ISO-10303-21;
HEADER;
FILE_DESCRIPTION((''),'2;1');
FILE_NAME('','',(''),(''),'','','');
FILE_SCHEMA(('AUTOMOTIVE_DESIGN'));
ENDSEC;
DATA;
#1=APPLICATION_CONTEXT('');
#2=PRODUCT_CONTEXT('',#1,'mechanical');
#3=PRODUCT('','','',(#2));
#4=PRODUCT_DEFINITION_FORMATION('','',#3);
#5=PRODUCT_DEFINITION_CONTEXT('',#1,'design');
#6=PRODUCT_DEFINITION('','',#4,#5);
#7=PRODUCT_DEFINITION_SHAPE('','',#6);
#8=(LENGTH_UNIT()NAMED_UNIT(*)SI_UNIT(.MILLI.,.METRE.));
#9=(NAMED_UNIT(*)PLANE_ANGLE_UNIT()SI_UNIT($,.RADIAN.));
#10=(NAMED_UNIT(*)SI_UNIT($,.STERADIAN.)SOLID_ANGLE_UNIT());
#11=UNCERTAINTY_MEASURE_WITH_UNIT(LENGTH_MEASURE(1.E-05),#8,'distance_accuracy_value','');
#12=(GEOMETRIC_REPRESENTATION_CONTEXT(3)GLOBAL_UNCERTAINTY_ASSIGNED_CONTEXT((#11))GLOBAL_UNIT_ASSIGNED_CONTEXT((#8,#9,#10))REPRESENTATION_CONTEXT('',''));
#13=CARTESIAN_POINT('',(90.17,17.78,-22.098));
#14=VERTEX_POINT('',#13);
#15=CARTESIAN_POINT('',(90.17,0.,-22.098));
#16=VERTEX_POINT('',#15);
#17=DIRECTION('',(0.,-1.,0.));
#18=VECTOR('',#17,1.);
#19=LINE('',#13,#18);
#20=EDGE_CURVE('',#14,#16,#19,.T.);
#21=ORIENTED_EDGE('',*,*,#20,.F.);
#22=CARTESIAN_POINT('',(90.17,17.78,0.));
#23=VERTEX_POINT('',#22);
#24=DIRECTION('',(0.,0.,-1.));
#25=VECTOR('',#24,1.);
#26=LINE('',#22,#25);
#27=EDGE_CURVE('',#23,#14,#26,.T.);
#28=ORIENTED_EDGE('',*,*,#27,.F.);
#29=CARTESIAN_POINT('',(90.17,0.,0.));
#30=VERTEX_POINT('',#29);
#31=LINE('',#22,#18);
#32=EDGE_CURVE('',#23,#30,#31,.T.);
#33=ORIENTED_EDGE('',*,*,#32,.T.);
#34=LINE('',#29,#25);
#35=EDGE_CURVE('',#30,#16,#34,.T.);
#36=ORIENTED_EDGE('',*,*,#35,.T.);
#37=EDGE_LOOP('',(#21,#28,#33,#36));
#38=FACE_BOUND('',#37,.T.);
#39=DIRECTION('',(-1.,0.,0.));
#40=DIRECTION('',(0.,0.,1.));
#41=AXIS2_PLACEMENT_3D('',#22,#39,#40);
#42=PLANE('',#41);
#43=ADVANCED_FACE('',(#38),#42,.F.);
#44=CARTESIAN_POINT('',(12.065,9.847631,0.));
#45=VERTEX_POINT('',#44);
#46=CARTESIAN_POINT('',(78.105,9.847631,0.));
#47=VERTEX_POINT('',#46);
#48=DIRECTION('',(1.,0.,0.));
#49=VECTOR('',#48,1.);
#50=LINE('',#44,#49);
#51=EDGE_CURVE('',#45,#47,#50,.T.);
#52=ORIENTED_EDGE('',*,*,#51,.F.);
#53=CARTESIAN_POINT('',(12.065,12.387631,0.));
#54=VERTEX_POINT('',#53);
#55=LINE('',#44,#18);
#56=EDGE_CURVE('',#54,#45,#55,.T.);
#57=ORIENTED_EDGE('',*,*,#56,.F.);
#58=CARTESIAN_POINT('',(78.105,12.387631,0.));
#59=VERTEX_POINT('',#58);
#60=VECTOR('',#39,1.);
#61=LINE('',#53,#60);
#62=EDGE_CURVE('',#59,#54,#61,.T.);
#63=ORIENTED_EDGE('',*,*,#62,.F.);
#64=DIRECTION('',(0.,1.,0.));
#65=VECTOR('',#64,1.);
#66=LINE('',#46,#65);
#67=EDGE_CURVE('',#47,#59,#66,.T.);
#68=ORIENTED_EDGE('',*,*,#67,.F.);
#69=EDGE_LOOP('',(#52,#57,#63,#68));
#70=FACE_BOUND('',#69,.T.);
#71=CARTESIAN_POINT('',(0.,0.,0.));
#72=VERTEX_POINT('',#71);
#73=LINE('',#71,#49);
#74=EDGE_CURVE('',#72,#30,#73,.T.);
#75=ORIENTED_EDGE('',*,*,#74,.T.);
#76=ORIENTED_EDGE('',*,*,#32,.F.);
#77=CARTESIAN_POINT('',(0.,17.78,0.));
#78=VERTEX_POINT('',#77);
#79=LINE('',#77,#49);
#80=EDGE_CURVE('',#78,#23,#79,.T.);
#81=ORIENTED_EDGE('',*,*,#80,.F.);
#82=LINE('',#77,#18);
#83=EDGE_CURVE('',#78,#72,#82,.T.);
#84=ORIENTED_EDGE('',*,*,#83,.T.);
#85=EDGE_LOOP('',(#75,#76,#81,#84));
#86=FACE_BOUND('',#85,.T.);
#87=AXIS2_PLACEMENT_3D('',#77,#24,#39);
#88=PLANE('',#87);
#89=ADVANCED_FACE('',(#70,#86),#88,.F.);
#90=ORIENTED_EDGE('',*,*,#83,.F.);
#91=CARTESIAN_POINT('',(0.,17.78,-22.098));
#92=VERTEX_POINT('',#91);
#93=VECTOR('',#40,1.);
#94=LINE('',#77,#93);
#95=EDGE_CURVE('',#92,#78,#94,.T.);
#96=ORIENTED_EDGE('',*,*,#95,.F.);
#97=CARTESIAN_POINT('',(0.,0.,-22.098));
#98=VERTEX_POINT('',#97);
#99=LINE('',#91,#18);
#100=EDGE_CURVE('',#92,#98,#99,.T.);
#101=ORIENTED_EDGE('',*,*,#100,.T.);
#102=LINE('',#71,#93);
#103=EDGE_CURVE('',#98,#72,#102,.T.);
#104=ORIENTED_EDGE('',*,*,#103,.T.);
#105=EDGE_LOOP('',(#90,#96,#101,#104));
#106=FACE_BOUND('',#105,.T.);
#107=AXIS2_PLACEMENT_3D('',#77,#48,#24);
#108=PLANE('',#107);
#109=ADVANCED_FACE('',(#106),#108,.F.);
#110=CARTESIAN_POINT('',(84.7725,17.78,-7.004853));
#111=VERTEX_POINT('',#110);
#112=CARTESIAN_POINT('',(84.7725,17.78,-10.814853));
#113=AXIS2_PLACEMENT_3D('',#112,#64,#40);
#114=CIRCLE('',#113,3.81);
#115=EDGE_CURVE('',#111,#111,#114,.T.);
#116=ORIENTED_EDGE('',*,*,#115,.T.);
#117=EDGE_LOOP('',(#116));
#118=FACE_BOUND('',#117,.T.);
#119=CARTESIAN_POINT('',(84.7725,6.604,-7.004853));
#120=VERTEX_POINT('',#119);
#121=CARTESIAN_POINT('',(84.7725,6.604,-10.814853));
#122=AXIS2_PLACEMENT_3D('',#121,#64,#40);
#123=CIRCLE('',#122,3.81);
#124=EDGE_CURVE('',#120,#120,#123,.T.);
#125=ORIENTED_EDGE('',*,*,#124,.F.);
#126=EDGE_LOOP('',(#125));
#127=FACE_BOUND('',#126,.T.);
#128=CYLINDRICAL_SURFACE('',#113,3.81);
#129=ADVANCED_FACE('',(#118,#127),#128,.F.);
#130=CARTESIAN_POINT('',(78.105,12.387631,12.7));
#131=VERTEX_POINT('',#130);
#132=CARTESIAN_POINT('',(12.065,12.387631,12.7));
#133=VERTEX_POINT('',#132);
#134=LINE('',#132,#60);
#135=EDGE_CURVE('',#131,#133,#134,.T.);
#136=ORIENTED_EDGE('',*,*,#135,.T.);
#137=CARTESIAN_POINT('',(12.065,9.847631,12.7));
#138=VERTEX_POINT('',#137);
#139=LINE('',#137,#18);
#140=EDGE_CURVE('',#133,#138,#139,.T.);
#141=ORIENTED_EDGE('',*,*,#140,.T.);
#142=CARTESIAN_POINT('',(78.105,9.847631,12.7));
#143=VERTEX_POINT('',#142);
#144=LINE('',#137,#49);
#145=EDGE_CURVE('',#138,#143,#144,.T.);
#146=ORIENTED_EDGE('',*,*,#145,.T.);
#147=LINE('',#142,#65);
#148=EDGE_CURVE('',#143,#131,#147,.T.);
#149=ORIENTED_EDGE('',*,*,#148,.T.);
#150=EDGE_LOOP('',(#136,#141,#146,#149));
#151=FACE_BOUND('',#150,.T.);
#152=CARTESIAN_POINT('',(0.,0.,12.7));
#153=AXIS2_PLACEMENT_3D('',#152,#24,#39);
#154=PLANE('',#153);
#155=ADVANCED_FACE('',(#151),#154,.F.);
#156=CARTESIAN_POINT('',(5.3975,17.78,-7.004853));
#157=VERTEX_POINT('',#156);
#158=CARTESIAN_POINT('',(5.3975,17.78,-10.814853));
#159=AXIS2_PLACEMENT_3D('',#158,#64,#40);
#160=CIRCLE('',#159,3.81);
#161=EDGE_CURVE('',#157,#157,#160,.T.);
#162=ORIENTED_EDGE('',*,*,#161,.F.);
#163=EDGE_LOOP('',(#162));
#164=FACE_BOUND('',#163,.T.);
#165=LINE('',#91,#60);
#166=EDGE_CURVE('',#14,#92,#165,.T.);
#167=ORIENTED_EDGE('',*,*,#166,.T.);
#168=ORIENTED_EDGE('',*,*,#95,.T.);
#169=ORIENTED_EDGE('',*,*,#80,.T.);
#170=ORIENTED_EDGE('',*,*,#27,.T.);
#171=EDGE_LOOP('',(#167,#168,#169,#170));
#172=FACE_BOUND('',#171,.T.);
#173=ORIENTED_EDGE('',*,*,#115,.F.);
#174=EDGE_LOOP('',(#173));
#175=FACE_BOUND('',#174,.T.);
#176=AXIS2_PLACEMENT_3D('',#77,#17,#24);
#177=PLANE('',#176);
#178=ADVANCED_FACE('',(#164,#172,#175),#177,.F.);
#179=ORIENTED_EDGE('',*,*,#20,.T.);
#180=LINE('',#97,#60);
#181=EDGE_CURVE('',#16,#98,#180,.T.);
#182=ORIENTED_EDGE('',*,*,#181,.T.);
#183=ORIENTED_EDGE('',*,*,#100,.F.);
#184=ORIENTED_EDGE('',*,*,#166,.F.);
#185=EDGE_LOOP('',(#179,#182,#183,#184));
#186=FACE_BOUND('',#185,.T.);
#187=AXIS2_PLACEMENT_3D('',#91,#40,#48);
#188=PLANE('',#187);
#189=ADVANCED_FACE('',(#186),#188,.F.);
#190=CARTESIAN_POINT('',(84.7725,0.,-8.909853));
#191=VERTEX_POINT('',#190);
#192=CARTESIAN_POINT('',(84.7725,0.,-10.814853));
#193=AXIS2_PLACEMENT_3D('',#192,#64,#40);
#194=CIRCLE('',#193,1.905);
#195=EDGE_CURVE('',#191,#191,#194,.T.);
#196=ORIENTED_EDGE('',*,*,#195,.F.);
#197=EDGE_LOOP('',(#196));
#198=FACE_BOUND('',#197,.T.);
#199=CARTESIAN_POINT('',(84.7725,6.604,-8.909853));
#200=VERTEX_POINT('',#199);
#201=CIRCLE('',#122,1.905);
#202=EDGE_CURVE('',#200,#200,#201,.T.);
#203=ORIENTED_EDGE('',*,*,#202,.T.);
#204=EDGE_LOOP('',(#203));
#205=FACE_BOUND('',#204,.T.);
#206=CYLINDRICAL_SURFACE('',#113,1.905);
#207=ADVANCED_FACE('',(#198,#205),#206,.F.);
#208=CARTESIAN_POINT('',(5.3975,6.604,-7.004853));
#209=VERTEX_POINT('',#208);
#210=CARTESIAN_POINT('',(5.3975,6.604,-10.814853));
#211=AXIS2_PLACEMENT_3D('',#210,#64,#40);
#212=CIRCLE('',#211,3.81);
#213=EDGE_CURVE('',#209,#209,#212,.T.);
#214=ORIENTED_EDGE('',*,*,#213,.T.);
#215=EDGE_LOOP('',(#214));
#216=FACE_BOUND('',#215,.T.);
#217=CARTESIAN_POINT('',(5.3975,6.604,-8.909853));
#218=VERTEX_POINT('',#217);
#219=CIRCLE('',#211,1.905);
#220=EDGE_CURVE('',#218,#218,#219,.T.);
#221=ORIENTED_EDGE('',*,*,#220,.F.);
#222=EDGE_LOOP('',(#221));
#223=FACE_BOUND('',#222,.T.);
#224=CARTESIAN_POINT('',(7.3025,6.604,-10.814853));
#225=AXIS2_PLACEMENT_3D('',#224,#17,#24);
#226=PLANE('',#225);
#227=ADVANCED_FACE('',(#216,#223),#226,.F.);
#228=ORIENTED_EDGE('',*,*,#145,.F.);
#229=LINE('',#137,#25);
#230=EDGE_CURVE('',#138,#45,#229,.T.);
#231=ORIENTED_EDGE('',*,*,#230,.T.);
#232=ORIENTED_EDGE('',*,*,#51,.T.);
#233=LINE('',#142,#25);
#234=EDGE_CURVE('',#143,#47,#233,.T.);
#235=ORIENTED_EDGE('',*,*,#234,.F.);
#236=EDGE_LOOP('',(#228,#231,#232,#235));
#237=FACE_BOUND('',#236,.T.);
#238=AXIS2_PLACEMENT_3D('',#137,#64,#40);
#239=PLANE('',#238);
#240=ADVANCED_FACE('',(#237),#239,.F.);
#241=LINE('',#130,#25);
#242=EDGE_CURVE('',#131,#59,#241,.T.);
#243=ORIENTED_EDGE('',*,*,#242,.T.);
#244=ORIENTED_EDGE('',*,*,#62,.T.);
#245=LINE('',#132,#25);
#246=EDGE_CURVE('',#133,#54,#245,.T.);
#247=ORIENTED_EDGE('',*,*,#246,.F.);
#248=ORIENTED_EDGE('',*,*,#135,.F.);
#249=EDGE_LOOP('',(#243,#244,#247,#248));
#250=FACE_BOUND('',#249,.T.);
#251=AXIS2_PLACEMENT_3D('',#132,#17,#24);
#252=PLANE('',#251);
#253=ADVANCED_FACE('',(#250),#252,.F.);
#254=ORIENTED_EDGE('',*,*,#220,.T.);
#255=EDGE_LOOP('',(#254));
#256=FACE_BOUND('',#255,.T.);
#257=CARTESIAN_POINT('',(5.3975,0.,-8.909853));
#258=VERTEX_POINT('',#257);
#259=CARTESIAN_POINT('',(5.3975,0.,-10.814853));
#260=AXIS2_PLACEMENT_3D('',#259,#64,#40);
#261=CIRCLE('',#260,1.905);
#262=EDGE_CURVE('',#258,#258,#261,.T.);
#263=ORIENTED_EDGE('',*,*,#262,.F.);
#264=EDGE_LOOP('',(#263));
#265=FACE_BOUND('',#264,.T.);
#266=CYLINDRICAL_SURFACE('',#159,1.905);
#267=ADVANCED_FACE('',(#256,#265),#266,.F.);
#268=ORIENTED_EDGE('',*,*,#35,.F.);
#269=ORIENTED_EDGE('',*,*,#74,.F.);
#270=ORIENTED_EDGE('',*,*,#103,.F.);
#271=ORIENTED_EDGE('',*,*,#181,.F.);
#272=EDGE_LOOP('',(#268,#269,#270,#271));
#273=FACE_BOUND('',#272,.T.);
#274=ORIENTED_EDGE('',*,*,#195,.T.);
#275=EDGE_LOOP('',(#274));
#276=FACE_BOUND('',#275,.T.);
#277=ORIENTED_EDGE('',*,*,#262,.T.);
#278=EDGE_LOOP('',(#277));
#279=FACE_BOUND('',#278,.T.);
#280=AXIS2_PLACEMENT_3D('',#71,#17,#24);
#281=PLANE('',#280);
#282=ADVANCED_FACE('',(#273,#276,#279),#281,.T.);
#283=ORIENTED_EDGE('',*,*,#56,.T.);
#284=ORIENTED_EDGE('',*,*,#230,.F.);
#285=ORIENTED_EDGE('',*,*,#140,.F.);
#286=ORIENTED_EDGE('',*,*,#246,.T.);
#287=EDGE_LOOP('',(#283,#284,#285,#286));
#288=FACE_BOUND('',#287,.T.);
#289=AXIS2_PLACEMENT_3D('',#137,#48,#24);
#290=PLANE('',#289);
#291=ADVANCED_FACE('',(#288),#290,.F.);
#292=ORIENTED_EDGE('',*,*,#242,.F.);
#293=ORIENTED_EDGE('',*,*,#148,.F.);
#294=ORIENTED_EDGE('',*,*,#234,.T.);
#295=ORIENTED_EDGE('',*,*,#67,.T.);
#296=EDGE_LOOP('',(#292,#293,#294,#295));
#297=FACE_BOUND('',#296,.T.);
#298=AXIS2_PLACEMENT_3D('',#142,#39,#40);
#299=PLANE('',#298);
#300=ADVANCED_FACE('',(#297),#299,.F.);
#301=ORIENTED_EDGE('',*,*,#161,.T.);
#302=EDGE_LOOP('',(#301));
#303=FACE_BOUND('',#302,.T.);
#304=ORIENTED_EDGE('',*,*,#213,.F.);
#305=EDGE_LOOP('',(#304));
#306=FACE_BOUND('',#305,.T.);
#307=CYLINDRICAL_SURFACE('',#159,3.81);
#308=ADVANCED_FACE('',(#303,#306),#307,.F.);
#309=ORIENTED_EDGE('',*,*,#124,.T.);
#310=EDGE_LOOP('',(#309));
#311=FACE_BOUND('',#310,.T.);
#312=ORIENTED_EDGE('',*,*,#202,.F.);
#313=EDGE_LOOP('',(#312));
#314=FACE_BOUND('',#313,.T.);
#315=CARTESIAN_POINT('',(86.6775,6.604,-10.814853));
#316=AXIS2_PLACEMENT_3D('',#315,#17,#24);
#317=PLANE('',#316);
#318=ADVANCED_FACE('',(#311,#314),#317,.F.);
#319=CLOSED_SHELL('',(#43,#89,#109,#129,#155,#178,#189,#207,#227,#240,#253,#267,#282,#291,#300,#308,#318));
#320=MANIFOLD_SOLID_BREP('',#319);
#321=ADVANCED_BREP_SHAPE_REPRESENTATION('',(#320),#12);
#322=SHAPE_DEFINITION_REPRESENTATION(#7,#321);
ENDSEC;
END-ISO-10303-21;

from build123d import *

# Parameters (mm, degrees)
SKETCH2_W                                           = 90.17
SKETCH2_H                                           = 22.098
BOSS_EXTRUDE1_DEPTH                                 = 17.78
SKETCH3_W                                           = 66.04
SKETCH3_H                                           = 2.54
BOSS_EXTRUDE2_DEPTH                                 = 12.7
CBORE_FOR_8_BINDING_HEAD_MACHINE_SCREW1_D           = 3.81
CBORE_FOR_8_BINDING_HEAD_MACHINE_SCREW1_CBORE_D     = 7.62
CBORE_FOR_8_BINDING_HEAD_MACHINE_SCREW1_CBORE_DEPTH = 11.176


with BuildPart() as part:
    # Sketch2 → Boss-Extrude1 (new body)
    with BuildSketch(Plane(origin=(0, 0, 0), x_dir=(1, 0, 0), z_dir=(0, 1, 0))):
        with Locations((45.085, 11.049)):
            Rectangle(SKETCH2_W, SKETCH2_H)
    extrude(amount=BOSS_EXTRUDE1_DEPTH)

    # Sketch3 → Boss-Extrude2 (add)
    with BuildSketch(Plane.XY):
        with Locations((45.085, 11.117631295)):
            Rectangle(SKETCH3_W, SKETCH3_H)
    extrude(amount=BOSS_EXTRUDE2_DEPTH)

    # CBORE for #8 Binding Head Machine Screw1 (through all)
    with Locations(Plane(origin=(0, 17.78, 0), x_dir=(1, 0, 0), z_dir=(0, 1, 0))):
        with Locations((5.3975, 10.814852879), (84.7725, 10.814852879)):
            CounterBoreHole(CBORE_FOR_8_BINDING_HEAD_MACHINE_SCREW1_D / 2, CBORE_FOR_8_BINDING_HEAD_MACHINE_SCREW1_CBORE_D / 2, CBORE_FOR_8_BINDING_HEAD_MACHINE_SCREW1_CBORE_DEPTH)


solid = part.part
